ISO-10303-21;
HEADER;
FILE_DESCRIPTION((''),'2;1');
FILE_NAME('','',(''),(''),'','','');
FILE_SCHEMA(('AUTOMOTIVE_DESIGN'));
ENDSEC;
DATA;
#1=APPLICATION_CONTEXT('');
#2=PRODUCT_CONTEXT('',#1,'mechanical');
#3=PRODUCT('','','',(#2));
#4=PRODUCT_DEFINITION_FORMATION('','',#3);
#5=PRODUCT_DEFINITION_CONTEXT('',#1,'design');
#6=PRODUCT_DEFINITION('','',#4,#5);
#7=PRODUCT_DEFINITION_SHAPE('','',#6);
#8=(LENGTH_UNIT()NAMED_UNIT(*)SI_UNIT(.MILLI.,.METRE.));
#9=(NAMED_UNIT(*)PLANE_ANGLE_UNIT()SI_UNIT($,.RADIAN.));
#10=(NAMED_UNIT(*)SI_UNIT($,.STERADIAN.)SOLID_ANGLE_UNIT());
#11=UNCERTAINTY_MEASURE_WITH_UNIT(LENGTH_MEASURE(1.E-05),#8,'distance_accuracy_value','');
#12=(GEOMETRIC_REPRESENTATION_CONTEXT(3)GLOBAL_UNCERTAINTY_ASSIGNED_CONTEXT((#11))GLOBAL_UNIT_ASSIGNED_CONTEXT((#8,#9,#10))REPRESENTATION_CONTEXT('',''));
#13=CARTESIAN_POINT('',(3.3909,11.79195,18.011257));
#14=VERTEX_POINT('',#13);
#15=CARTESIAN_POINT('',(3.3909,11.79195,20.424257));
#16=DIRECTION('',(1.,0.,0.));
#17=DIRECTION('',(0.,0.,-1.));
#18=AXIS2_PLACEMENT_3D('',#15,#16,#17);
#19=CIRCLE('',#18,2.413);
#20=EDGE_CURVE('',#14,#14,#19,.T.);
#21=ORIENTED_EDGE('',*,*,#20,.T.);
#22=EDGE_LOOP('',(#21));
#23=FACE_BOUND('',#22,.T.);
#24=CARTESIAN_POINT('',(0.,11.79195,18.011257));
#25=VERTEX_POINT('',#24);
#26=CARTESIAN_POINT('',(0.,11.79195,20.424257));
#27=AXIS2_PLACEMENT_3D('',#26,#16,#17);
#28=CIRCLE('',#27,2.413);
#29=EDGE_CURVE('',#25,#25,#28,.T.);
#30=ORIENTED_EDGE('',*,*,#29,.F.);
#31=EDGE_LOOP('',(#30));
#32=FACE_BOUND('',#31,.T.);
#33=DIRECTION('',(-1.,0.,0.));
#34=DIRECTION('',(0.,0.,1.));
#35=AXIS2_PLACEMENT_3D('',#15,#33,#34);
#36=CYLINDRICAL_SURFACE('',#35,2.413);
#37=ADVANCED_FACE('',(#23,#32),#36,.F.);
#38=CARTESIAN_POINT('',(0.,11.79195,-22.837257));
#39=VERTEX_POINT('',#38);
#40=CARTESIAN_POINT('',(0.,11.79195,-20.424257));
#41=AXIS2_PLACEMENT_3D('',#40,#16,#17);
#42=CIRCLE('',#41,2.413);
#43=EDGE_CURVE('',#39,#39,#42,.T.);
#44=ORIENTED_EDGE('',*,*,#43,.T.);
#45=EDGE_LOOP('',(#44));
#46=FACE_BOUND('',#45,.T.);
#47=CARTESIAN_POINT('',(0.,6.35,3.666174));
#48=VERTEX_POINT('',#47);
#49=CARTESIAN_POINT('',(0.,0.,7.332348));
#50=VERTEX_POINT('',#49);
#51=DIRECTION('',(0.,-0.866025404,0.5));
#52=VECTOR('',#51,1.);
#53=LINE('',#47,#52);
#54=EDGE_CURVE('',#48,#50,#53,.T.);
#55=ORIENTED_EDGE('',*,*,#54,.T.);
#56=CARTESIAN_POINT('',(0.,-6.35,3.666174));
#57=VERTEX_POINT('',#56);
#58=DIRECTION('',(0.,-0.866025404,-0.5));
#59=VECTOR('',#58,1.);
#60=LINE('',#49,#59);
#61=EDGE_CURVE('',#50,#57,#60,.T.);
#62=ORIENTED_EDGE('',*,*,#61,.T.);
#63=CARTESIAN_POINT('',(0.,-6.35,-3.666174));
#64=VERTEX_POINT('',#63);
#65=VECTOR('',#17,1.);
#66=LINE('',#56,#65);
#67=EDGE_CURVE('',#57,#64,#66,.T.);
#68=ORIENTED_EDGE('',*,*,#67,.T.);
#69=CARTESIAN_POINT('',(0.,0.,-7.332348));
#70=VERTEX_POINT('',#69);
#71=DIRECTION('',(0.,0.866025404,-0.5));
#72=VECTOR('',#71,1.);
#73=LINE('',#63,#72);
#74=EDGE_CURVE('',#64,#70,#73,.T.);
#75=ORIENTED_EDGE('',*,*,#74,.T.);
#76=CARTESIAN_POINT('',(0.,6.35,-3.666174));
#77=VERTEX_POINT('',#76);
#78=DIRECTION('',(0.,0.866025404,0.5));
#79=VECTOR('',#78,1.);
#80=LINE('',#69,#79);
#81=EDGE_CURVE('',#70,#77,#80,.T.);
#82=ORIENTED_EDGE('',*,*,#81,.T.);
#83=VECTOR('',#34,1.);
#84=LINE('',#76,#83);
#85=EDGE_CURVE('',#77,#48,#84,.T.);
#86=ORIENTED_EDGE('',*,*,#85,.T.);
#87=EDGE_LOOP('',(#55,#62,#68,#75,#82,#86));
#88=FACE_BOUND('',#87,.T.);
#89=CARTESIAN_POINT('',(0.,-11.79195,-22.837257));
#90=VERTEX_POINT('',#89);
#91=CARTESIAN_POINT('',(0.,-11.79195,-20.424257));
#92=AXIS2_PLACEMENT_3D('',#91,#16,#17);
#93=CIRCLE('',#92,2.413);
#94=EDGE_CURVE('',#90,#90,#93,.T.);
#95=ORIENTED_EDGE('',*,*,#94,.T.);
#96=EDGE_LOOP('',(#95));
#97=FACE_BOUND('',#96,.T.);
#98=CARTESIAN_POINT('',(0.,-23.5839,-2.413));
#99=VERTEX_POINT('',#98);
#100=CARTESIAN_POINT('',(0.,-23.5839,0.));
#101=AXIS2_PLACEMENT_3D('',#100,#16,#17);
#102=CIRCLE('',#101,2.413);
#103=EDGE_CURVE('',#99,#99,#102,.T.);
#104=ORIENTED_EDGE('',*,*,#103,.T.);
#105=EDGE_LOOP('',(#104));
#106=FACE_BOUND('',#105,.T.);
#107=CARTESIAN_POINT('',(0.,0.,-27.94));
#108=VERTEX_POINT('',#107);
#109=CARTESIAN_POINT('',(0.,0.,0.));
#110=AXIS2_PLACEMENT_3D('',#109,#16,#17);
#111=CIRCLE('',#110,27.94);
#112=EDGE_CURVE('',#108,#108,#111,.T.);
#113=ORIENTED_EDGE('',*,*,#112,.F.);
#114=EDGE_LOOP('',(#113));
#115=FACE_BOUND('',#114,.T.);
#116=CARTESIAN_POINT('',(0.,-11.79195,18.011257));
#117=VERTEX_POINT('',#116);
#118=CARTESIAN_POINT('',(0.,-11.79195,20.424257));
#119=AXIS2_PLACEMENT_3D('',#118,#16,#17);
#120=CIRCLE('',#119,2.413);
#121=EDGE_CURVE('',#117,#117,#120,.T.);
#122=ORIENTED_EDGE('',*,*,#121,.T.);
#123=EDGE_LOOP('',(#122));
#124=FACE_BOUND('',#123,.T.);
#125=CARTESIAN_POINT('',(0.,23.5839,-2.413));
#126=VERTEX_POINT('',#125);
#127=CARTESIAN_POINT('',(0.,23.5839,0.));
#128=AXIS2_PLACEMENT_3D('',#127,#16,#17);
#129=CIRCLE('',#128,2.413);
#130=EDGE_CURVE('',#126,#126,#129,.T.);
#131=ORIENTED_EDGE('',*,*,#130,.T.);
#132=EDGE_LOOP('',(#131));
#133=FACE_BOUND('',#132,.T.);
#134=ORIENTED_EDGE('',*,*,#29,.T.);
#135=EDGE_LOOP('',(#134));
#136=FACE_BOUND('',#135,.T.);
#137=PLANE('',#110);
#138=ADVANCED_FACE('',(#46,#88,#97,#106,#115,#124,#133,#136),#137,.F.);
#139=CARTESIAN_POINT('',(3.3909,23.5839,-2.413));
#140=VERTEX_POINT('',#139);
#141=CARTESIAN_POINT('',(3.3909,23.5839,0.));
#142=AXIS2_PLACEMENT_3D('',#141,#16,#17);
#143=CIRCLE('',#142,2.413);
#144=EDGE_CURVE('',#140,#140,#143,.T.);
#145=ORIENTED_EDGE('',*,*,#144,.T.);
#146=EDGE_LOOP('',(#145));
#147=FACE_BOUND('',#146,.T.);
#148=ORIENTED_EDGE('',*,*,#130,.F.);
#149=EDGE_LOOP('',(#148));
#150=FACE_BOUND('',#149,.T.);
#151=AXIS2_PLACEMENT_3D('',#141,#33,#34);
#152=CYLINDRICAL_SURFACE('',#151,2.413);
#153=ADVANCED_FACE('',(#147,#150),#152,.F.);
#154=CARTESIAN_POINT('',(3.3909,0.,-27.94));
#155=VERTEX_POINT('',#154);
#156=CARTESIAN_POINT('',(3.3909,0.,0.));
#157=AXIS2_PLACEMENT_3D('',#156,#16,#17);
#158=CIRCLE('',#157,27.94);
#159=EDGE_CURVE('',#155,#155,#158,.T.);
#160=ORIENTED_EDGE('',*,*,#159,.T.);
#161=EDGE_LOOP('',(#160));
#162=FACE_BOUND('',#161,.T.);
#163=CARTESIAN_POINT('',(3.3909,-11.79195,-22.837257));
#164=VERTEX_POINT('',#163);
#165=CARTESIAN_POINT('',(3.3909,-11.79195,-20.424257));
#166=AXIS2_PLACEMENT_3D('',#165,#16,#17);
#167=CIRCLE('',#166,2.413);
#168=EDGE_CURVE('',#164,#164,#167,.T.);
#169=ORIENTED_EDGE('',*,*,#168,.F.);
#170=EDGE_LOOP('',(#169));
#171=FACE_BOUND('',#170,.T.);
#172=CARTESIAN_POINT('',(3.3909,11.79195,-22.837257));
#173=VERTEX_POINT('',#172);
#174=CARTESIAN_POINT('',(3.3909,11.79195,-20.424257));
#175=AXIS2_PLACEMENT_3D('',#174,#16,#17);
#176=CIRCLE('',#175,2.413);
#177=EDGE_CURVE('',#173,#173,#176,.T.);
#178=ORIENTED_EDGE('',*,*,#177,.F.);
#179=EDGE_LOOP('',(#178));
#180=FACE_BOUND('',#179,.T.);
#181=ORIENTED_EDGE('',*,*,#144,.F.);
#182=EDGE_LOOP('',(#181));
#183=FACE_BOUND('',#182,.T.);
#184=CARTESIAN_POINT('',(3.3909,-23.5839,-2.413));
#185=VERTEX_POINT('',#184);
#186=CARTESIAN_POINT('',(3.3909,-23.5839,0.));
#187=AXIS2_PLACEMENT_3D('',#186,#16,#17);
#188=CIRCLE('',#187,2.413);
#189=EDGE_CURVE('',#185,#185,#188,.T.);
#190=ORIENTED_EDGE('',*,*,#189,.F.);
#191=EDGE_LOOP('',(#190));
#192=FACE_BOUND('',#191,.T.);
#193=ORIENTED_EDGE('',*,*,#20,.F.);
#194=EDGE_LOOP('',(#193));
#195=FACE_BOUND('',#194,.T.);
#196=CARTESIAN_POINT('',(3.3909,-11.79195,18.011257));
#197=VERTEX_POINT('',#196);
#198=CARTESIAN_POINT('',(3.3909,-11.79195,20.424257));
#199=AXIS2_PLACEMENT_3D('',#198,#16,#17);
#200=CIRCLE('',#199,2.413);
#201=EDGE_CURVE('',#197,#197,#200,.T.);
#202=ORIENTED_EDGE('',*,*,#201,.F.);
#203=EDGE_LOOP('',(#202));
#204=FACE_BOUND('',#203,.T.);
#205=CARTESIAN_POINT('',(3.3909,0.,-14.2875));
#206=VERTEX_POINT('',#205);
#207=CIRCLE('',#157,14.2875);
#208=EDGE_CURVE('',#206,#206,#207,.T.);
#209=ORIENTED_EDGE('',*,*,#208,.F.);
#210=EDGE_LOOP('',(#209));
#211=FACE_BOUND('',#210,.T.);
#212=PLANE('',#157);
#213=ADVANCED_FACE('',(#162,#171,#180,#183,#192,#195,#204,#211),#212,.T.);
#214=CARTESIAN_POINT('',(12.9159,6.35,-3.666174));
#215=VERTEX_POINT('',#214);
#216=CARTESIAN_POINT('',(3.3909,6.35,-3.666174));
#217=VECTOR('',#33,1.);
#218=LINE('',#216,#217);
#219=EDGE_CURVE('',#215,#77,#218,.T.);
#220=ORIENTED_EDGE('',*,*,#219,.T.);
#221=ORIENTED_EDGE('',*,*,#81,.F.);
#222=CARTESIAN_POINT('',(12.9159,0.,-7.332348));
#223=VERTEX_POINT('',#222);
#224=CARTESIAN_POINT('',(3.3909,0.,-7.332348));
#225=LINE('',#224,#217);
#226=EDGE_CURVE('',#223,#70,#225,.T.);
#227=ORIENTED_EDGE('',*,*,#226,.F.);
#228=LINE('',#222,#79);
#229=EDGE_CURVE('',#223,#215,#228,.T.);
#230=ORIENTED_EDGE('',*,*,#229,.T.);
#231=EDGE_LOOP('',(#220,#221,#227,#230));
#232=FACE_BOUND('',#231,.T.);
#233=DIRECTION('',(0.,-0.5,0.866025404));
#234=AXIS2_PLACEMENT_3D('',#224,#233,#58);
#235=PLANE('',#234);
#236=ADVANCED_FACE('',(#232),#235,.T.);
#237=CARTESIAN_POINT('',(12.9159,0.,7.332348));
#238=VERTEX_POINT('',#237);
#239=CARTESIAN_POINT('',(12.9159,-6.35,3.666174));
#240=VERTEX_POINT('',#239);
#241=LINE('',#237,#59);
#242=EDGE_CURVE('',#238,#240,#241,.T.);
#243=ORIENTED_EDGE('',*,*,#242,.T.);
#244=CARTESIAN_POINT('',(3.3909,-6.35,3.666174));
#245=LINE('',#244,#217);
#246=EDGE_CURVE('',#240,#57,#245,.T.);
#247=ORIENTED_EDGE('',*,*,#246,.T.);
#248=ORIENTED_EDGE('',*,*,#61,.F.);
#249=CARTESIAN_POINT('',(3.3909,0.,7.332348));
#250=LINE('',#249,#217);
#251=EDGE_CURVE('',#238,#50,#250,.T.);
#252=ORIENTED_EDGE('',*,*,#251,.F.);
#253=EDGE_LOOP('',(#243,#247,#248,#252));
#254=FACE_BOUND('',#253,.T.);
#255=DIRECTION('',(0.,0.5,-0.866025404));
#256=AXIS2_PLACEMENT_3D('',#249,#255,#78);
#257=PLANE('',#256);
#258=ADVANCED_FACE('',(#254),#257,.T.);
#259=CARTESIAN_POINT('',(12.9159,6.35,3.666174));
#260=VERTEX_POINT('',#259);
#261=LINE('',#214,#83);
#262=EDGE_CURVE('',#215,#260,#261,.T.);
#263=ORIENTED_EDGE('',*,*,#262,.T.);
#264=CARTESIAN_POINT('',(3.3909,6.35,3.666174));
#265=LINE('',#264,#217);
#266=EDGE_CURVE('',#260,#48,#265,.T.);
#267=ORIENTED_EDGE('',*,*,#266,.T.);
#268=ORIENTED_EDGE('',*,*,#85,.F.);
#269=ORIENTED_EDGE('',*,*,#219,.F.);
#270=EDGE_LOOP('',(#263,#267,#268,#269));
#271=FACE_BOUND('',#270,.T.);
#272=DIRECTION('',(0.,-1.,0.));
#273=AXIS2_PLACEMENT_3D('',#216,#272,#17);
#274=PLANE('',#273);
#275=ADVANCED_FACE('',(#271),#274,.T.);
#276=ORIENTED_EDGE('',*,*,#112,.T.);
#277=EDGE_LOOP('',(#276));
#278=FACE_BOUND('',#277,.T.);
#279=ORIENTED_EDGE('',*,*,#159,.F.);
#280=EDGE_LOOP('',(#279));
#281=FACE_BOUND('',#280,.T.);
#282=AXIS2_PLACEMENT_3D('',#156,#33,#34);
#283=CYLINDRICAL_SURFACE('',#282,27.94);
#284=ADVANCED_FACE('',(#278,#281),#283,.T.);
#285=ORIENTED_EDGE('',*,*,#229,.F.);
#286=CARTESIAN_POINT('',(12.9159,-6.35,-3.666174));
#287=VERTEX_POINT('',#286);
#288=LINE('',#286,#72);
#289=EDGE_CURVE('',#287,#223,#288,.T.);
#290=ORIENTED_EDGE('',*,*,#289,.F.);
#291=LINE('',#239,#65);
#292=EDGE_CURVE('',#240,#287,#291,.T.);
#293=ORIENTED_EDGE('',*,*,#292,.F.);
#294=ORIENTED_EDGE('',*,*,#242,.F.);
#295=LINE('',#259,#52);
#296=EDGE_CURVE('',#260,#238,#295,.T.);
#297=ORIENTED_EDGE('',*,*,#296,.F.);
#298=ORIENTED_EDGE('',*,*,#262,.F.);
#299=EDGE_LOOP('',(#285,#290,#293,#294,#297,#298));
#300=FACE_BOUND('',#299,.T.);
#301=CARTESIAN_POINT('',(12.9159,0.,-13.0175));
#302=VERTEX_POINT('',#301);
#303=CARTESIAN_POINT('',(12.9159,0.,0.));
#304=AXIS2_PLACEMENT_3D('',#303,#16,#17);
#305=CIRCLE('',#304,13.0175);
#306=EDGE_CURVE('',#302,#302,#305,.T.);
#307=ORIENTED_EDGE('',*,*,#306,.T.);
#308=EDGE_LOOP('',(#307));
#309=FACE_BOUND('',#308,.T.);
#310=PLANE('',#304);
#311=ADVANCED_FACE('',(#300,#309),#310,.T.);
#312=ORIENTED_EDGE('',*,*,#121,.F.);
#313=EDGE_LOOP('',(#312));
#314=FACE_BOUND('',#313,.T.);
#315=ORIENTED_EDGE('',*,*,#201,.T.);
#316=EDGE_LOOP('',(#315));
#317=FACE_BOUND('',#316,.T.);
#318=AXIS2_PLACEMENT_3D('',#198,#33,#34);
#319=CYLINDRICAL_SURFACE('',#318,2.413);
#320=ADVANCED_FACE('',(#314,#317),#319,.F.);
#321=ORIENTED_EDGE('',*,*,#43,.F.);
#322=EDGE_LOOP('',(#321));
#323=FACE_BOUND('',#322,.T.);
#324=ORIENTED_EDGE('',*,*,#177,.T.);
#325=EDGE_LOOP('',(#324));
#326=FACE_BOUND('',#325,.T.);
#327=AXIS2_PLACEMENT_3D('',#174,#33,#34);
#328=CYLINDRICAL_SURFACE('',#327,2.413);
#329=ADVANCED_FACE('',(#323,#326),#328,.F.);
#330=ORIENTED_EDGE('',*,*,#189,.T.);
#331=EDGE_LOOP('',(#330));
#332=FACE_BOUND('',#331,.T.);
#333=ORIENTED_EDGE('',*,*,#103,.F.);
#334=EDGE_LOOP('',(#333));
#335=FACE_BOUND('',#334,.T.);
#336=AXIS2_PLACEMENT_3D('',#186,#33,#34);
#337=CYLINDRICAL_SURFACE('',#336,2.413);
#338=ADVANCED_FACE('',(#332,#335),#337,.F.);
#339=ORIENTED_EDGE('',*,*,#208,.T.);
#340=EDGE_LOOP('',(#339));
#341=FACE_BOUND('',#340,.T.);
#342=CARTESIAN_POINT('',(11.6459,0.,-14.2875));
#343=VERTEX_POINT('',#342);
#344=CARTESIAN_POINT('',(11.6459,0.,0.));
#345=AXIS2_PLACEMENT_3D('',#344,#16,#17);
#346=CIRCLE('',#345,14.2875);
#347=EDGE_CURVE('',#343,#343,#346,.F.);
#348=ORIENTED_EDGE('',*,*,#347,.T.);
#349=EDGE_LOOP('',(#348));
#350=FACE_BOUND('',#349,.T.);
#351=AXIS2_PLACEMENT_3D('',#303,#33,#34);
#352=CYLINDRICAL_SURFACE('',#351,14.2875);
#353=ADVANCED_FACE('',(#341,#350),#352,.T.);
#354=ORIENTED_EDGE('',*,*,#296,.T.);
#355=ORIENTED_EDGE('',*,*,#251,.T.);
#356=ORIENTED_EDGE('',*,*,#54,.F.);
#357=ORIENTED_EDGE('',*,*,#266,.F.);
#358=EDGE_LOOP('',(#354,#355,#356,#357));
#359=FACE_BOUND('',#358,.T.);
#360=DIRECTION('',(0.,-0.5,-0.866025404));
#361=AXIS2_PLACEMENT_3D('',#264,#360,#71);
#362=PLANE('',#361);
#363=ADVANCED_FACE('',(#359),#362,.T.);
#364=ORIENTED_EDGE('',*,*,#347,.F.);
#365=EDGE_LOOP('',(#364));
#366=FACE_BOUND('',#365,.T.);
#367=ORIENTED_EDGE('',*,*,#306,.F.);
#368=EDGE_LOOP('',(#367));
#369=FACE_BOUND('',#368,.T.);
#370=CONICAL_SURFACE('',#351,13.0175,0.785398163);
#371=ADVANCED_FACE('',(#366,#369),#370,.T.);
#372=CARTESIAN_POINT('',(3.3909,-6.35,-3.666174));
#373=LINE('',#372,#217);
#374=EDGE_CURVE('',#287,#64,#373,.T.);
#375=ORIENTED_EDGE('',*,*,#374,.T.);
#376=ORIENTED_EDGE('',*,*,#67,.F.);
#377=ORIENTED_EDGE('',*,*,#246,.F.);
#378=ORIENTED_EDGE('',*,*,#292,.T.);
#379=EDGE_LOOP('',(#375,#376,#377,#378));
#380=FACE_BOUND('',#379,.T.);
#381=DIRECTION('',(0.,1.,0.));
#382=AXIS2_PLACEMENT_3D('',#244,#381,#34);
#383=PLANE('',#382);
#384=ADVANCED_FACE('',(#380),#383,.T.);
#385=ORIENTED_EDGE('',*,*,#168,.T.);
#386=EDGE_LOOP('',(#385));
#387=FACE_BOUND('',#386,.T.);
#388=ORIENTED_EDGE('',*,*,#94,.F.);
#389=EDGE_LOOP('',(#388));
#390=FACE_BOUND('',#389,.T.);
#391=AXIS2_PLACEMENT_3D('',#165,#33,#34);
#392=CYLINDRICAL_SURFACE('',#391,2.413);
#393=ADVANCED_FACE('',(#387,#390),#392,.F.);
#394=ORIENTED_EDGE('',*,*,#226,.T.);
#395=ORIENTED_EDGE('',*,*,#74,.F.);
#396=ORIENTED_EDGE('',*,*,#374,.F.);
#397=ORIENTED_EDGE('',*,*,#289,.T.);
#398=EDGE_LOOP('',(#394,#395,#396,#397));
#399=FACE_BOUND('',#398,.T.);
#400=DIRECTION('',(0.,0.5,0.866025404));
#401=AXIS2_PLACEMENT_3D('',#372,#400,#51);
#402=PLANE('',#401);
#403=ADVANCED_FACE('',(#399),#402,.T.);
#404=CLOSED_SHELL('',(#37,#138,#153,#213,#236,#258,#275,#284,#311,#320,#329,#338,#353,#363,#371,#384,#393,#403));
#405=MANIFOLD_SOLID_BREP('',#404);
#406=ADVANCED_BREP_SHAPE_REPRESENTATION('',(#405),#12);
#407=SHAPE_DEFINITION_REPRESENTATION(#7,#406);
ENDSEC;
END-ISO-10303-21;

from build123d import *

# Parameters (mm, degrees)
SKETCH1_R           = 27.94
SKETCH1_R_2         = 2.413
BOSS_EXTRUDE1_DEPTH = 3.3909
SKETCH2_R           = 14.2875
BOSS_EXTRUDE2_DEPTH = 9.525
CHAMFER1_SIZE       = 1.27


with BuildPart() as part:
    # Sketch1 → Boss-Extrude1 (new body)
    with BuildSketch(Plane(origin=(0, 0, 0), x_dir=(0, 0, -1), z_dir=(1, 0, 0))):
        Circle(SKETCH1_R)
        with Locations((0, 23.5839)):
            Circle(SKETCH1_R_2, mode=Mode.SUBTRACT)
        with Locations((20.42425652, 11.79195)):
            Circle(SKETCH1_R_2, mode=Mode.SUBTRACT)
        with Locations((20.42425652, -11.79195)):
            Circle(SKETCH1_R_2, mode=Mode.SUBTRACT)
        with Locations((0, -23.5839)):
            Circle(SKETCH1_R_2, mode=Mode.SUBTRACT)
        with Locations((-20.42425652, -11.79195)):
            Circle(SKETCH1_R_2, mode=Mode.SUBTRACT)
        with Locations((-20.42425652, 11.79195)):
            Circle(SKETCH1_R_2, mode=Mode.SUBTRACT)
        Polygon((7.332348419, 0), (3.666174209, 6.35), (-3.666174209, 6.35), (-7.332348419, 0), (-3.666174209, -6.35), (3.666174209, -6.35), align=None, mode=Mode.SUBTRACT)
    extrude(amount=BOSS_EXTRUDE1_DEPTH)

    # Sketch2 → Boss-Extrude2 (add)
    with BuildSketch(Plane(origin=(3.3909, 0, 0), x_dir=(0, 0, -1), z_dir=(1, 0, 0))):
        Circle(SKETCH2_R)
        Polygon((3.666174209, -6.35), (7.332348419, 0), (3.666174209, 6.35), (-3.666174209, 6.35), (-7.332348419, 0), (-3.666174209, -6.35), align=None, mode=Mode.SUBTRACT)
    extrude(amount=BOSS_EXTRUDE2_DEPTH)

    # Chamfer1
    chamfer1_edges = [part.edges().sort_by_distance(p)[0] for p in [
        (12.9159, 0, 14.2875),
    ]]
    chamfer(chamfer1_edges, length=CHAMFER1_SIZE)


solid = part.part
